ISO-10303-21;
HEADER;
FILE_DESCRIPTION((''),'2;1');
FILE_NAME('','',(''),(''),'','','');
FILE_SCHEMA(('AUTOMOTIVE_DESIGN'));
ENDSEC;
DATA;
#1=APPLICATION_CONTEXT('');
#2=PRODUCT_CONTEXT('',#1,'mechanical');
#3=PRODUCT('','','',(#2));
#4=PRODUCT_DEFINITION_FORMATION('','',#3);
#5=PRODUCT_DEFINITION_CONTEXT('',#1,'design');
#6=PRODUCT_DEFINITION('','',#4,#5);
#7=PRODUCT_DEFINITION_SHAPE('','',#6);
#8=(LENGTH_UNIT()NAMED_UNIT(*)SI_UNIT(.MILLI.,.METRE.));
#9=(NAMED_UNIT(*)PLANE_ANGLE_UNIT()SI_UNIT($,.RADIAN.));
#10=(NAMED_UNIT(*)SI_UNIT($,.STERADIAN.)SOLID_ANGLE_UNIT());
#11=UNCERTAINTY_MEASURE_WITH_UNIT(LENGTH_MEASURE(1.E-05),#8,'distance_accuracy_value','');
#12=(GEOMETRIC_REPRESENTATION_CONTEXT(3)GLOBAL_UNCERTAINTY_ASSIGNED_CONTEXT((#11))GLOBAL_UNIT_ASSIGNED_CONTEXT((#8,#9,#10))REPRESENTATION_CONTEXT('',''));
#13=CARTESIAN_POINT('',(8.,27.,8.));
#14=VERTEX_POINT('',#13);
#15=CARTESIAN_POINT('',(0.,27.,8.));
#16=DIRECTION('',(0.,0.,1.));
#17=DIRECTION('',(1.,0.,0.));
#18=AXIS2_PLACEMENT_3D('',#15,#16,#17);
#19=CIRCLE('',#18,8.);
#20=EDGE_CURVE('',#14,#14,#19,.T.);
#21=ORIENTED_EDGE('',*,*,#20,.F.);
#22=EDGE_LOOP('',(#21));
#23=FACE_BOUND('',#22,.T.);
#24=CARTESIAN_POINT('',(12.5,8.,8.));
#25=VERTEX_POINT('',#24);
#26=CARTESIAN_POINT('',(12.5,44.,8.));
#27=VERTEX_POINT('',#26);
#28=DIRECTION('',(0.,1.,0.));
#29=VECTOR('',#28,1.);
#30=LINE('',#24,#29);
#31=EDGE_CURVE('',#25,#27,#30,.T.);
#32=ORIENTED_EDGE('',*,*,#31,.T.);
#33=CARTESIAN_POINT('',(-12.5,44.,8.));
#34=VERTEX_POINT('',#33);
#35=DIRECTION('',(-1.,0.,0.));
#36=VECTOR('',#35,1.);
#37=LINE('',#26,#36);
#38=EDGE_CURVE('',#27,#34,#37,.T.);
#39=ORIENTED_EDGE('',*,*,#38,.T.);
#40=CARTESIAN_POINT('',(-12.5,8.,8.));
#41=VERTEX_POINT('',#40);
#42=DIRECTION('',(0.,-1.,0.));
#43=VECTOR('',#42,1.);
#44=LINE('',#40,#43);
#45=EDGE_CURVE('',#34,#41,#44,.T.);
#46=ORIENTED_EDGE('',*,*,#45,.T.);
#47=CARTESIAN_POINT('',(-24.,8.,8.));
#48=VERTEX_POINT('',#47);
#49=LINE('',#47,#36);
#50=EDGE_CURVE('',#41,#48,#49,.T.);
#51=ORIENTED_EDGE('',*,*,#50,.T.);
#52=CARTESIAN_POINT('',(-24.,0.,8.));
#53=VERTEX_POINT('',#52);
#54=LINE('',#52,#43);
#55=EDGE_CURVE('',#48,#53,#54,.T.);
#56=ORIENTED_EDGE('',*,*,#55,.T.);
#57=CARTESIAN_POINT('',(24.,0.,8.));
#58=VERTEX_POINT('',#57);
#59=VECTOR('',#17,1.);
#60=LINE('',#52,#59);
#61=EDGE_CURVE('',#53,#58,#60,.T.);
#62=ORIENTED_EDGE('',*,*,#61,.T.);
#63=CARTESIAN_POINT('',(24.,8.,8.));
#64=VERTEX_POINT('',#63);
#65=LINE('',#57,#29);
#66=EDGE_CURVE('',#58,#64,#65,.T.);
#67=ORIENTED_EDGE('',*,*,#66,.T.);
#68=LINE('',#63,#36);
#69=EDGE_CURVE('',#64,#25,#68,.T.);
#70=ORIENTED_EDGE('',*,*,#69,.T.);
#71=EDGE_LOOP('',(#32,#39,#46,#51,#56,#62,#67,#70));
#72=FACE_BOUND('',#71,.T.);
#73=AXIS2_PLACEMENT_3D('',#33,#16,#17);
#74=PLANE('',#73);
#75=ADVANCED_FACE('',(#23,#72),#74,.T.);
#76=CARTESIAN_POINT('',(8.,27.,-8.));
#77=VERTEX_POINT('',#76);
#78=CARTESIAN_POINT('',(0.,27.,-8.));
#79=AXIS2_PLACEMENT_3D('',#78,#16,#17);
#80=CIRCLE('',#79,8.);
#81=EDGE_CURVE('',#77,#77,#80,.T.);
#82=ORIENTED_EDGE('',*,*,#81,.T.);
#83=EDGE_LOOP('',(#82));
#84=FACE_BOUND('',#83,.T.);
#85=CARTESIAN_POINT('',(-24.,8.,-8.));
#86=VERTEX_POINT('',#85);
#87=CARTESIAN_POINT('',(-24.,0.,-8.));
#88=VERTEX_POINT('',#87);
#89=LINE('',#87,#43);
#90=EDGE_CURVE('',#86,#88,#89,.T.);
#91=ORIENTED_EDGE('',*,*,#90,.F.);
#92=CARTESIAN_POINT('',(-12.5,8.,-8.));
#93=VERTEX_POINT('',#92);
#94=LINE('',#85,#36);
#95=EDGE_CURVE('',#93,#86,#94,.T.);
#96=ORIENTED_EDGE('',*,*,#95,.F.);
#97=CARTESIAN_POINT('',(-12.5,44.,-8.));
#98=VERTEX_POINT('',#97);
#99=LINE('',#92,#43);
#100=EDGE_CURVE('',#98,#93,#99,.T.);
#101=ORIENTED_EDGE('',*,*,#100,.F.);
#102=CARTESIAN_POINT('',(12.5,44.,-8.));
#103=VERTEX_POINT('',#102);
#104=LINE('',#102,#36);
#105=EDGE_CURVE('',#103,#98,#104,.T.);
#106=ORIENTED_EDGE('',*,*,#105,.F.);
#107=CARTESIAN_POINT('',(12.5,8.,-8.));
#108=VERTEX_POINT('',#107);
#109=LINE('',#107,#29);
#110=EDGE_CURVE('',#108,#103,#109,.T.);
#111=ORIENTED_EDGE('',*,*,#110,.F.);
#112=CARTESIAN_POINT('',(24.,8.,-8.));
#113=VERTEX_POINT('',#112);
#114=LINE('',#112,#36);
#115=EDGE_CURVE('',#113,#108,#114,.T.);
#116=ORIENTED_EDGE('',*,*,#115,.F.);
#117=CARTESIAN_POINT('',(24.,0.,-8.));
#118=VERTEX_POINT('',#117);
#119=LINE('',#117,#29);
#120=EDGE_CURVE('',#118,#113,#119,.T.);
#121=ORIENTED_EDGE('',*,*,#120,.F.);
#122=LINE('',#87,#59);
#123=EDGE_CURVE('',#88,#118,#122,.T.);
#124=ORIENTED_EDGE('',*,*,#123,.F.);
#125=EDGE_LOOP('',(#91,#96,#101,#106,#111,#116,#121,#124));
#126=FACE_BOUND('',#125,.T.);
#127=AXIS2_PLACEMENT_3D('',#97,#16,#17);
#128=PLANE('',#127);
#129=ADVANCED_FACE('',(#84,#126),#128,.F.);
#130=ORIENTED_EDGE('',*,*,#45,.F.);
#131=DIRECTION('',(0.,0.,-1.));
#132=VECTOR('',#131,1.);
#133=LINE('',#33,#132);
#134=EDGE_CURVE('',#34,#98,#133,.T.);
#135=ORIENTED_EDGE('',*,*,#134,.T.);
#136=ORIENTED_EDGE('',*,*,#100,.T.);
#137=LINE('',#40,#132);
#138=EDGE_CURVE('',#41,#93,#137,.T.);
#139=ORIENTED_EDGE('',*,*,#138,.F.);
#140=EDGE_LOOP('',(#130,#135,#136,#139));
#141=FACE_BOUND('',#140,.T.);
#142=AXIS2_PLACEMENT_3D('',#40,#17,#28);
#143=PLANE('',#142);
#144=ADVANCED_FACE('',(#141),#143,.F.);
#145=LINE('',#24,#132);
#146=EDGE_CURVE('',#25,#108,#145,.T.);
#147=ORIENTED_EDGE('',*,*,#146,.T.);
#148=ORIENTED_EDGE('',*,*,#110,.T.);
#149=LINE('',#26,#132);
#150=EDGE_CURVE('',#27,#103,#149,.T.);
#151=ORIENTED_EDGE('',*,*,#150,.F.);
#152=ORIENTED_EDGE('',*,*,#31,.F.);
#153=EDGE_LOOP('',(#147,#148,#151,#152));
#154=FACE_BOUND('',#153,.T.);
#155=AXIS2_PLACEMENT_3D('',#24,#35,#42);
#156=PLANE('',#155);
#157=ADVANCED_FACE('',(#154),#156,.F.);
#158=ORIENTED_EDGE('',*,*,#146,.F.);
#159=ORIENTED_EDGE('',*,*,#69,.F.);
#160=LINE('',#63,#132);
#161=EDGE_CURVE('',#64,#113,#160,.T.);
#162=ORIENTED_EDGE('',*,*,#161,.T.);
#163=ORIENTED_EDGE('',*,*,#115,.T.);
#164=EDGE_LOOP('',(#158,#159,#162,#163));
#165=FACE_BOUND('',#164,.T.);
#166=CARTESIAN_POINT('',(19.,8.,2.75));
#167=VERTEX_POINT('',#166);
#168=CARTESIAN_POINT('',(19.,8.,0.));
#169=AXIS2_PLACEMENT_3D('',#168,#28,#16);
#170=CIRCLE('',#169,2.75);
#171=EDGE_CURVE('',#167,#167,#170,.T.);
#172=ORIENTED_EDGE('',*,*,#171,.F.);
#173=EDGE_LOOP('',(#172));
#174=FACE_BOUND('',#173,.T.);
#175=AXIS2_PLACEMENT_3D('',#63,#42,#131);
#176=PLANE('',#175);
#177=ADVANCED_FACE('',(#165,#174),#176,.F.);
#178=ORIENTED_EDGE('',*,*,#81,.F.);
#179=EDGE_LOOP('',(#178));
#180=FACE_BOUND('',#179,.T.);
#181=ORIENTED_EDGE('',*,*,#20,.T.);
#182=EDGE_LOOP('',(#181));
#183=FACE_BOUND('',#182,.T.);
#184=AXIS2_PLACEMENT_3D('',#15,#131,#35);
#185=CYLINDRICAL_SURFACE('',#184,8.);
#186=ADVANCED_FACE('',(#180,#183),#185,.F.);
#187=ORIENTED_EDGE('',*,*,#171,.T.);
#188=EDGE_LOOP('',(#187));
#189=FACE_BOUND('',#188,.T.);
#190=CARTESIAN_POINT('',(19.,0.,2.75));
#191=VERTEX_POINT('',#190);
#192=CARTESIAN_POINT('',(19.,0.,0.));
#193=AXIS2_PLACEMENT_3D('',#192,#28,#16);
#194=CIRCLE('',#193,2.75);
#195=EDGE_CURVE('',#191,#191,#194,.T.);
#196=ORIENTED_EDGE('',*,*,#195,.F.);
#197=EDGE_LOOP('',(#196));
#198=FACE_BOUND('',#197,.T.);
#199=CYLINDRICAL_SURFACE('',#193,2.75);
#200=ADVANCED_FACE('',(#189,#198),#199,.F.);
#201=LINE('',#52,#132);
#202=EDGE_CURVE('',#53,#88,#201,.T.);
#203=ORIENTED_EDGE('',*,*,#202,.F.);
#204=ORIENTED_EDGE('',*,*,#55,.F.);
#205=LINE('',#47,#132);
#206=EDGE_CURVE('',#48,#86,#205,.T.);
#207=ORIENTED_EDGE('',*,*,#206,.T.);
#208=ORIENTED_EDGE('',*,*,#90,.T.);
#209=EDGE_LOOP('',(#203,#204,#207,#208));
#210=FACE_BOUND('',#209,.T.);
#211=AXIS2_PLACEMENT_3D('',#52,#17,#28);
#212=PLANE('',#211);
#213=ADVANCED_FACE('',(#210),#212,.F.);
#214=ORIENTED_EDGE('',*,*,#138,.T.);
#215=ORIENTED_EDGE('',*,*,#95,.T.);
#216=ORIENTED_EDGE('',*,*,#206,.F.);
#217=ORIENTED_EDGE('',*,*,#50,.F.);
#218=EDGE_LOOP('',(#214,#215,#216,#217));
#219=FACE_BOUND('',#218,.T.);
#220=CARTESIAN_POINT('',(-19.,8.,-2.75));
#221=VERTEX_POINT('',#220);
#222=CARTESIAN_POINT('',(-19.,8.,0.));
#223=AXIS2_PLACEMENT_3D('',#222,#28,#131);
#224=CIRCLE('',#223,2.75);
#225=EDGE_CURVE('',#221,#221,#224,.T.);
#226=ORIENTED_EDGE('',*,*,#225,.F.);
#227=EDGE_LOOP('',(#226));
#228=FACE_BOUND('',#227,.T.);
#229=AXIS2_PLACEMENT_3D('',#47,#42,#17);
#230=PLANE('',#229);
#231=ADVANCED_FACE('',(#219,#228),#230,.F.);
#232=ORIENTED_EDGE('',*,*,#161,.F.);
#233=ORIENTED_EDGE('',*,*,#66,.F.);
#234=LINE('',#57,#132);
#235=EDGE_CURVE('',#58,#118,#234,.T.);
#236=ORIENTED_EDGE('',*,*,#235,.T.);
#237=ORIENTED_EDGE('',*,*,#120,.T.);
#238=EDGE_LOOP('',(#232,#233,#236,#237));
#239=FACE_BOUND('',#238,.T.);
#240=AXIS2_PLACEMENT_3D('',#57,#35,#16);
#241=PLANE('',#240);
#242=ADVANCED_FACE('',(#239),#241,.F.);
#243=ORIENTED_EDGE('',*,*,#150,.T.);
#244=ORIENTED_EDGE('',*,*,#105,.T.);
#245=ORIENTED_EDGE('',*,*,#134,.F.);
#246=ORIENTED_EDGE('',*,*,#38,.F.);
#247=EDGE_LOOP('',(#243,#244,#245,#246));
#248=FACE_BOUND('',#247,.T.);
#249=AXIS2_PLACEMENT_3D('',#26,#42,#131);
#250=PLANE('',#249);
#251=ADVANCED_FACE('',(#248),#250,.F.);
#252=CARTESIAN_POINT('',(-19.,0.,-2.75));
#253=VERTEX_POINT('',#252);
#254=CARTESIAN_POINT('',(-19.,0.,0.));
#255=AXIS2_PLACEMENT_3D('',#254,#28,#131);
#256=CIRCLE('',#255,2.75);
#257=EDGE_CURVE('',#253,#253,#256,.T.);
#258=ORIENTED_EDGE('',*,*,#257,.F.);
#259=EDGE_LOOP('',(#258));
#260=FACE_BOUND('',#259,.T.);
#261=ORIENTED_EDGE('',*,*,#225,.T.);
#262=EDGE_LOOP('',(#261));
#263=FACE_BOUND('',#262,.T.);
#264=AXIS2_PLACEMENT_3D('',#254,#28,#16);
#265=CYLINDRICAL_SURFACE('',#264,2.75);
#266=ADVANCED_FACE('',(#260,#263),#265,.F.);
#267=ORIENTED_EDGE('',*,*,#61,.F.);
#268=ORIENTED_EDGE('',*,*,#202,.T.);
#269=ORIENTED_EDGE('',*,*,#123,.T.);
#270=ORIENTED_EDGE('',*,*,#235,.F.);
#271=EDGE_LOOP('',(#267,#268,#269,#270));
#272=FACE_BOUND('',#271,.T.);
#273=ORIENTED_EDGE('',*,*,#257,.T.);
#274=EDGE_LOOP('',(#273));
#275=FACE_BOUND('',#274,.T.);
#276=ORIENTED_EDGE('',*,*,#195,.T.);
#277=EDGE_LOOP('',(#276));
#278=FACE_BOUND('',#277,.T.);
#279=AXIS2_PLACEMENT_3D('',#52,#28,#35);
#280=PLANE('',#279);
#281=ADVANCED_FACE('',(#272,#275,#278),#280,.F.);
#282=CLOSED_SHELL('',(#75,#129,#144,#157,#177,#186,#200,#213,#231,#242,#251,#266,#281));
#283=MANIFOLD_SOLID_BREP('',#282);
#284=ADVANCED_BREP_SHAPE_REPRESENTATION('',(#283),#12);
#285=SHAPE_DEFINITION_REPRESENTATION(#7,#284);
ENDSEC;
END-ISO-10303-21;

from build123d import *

# Parameters (mm, degrees)
SKETCH_1_R          = 8
EXTRUDE_1_DEPTH     = 8
SKETCH_2_R          = 2.75
CUT_EXTRUDE_1_DEPTH = 45


with BuildPart() as part:
    # 草图1 → 凸台-拉伸1 (new, symmetric)
    with BuildSketch(Plane.XY):
        Polygon((-24, 0), (24, 0), (24, 8), (12.5, 8), (12.5, 44), (-12.5, 44), (-12.5, 8), (-24, 8), align=None)
        with Locations((0, 27)):
            Circle(SKETCH_1_R, mode=Mode.SUBTRACT)
    extrude(amount=EXTRUDE_1_DEPTH, both=True)

    # 草图2 → 切除-拉伸1 (cut, through all)
    with BuildSketch(Plane(origin=(0, 8, 0), x_dir=(1, 0, 0), z_dir=(0, 1, 0))):
        with Locations(Location((19, 0, 0), (0, 0, 270))):
            Circle(SKETCH_2_R)
        with Locations(Location((-19, 0, 0), (0, 0, 90))):
            Circle(SKETCH_2_R)
    extrude(amount=-CUT_EXTRUDE_1_DEPTH, mode=Mode.SUBTRACT)


solid = part.part
